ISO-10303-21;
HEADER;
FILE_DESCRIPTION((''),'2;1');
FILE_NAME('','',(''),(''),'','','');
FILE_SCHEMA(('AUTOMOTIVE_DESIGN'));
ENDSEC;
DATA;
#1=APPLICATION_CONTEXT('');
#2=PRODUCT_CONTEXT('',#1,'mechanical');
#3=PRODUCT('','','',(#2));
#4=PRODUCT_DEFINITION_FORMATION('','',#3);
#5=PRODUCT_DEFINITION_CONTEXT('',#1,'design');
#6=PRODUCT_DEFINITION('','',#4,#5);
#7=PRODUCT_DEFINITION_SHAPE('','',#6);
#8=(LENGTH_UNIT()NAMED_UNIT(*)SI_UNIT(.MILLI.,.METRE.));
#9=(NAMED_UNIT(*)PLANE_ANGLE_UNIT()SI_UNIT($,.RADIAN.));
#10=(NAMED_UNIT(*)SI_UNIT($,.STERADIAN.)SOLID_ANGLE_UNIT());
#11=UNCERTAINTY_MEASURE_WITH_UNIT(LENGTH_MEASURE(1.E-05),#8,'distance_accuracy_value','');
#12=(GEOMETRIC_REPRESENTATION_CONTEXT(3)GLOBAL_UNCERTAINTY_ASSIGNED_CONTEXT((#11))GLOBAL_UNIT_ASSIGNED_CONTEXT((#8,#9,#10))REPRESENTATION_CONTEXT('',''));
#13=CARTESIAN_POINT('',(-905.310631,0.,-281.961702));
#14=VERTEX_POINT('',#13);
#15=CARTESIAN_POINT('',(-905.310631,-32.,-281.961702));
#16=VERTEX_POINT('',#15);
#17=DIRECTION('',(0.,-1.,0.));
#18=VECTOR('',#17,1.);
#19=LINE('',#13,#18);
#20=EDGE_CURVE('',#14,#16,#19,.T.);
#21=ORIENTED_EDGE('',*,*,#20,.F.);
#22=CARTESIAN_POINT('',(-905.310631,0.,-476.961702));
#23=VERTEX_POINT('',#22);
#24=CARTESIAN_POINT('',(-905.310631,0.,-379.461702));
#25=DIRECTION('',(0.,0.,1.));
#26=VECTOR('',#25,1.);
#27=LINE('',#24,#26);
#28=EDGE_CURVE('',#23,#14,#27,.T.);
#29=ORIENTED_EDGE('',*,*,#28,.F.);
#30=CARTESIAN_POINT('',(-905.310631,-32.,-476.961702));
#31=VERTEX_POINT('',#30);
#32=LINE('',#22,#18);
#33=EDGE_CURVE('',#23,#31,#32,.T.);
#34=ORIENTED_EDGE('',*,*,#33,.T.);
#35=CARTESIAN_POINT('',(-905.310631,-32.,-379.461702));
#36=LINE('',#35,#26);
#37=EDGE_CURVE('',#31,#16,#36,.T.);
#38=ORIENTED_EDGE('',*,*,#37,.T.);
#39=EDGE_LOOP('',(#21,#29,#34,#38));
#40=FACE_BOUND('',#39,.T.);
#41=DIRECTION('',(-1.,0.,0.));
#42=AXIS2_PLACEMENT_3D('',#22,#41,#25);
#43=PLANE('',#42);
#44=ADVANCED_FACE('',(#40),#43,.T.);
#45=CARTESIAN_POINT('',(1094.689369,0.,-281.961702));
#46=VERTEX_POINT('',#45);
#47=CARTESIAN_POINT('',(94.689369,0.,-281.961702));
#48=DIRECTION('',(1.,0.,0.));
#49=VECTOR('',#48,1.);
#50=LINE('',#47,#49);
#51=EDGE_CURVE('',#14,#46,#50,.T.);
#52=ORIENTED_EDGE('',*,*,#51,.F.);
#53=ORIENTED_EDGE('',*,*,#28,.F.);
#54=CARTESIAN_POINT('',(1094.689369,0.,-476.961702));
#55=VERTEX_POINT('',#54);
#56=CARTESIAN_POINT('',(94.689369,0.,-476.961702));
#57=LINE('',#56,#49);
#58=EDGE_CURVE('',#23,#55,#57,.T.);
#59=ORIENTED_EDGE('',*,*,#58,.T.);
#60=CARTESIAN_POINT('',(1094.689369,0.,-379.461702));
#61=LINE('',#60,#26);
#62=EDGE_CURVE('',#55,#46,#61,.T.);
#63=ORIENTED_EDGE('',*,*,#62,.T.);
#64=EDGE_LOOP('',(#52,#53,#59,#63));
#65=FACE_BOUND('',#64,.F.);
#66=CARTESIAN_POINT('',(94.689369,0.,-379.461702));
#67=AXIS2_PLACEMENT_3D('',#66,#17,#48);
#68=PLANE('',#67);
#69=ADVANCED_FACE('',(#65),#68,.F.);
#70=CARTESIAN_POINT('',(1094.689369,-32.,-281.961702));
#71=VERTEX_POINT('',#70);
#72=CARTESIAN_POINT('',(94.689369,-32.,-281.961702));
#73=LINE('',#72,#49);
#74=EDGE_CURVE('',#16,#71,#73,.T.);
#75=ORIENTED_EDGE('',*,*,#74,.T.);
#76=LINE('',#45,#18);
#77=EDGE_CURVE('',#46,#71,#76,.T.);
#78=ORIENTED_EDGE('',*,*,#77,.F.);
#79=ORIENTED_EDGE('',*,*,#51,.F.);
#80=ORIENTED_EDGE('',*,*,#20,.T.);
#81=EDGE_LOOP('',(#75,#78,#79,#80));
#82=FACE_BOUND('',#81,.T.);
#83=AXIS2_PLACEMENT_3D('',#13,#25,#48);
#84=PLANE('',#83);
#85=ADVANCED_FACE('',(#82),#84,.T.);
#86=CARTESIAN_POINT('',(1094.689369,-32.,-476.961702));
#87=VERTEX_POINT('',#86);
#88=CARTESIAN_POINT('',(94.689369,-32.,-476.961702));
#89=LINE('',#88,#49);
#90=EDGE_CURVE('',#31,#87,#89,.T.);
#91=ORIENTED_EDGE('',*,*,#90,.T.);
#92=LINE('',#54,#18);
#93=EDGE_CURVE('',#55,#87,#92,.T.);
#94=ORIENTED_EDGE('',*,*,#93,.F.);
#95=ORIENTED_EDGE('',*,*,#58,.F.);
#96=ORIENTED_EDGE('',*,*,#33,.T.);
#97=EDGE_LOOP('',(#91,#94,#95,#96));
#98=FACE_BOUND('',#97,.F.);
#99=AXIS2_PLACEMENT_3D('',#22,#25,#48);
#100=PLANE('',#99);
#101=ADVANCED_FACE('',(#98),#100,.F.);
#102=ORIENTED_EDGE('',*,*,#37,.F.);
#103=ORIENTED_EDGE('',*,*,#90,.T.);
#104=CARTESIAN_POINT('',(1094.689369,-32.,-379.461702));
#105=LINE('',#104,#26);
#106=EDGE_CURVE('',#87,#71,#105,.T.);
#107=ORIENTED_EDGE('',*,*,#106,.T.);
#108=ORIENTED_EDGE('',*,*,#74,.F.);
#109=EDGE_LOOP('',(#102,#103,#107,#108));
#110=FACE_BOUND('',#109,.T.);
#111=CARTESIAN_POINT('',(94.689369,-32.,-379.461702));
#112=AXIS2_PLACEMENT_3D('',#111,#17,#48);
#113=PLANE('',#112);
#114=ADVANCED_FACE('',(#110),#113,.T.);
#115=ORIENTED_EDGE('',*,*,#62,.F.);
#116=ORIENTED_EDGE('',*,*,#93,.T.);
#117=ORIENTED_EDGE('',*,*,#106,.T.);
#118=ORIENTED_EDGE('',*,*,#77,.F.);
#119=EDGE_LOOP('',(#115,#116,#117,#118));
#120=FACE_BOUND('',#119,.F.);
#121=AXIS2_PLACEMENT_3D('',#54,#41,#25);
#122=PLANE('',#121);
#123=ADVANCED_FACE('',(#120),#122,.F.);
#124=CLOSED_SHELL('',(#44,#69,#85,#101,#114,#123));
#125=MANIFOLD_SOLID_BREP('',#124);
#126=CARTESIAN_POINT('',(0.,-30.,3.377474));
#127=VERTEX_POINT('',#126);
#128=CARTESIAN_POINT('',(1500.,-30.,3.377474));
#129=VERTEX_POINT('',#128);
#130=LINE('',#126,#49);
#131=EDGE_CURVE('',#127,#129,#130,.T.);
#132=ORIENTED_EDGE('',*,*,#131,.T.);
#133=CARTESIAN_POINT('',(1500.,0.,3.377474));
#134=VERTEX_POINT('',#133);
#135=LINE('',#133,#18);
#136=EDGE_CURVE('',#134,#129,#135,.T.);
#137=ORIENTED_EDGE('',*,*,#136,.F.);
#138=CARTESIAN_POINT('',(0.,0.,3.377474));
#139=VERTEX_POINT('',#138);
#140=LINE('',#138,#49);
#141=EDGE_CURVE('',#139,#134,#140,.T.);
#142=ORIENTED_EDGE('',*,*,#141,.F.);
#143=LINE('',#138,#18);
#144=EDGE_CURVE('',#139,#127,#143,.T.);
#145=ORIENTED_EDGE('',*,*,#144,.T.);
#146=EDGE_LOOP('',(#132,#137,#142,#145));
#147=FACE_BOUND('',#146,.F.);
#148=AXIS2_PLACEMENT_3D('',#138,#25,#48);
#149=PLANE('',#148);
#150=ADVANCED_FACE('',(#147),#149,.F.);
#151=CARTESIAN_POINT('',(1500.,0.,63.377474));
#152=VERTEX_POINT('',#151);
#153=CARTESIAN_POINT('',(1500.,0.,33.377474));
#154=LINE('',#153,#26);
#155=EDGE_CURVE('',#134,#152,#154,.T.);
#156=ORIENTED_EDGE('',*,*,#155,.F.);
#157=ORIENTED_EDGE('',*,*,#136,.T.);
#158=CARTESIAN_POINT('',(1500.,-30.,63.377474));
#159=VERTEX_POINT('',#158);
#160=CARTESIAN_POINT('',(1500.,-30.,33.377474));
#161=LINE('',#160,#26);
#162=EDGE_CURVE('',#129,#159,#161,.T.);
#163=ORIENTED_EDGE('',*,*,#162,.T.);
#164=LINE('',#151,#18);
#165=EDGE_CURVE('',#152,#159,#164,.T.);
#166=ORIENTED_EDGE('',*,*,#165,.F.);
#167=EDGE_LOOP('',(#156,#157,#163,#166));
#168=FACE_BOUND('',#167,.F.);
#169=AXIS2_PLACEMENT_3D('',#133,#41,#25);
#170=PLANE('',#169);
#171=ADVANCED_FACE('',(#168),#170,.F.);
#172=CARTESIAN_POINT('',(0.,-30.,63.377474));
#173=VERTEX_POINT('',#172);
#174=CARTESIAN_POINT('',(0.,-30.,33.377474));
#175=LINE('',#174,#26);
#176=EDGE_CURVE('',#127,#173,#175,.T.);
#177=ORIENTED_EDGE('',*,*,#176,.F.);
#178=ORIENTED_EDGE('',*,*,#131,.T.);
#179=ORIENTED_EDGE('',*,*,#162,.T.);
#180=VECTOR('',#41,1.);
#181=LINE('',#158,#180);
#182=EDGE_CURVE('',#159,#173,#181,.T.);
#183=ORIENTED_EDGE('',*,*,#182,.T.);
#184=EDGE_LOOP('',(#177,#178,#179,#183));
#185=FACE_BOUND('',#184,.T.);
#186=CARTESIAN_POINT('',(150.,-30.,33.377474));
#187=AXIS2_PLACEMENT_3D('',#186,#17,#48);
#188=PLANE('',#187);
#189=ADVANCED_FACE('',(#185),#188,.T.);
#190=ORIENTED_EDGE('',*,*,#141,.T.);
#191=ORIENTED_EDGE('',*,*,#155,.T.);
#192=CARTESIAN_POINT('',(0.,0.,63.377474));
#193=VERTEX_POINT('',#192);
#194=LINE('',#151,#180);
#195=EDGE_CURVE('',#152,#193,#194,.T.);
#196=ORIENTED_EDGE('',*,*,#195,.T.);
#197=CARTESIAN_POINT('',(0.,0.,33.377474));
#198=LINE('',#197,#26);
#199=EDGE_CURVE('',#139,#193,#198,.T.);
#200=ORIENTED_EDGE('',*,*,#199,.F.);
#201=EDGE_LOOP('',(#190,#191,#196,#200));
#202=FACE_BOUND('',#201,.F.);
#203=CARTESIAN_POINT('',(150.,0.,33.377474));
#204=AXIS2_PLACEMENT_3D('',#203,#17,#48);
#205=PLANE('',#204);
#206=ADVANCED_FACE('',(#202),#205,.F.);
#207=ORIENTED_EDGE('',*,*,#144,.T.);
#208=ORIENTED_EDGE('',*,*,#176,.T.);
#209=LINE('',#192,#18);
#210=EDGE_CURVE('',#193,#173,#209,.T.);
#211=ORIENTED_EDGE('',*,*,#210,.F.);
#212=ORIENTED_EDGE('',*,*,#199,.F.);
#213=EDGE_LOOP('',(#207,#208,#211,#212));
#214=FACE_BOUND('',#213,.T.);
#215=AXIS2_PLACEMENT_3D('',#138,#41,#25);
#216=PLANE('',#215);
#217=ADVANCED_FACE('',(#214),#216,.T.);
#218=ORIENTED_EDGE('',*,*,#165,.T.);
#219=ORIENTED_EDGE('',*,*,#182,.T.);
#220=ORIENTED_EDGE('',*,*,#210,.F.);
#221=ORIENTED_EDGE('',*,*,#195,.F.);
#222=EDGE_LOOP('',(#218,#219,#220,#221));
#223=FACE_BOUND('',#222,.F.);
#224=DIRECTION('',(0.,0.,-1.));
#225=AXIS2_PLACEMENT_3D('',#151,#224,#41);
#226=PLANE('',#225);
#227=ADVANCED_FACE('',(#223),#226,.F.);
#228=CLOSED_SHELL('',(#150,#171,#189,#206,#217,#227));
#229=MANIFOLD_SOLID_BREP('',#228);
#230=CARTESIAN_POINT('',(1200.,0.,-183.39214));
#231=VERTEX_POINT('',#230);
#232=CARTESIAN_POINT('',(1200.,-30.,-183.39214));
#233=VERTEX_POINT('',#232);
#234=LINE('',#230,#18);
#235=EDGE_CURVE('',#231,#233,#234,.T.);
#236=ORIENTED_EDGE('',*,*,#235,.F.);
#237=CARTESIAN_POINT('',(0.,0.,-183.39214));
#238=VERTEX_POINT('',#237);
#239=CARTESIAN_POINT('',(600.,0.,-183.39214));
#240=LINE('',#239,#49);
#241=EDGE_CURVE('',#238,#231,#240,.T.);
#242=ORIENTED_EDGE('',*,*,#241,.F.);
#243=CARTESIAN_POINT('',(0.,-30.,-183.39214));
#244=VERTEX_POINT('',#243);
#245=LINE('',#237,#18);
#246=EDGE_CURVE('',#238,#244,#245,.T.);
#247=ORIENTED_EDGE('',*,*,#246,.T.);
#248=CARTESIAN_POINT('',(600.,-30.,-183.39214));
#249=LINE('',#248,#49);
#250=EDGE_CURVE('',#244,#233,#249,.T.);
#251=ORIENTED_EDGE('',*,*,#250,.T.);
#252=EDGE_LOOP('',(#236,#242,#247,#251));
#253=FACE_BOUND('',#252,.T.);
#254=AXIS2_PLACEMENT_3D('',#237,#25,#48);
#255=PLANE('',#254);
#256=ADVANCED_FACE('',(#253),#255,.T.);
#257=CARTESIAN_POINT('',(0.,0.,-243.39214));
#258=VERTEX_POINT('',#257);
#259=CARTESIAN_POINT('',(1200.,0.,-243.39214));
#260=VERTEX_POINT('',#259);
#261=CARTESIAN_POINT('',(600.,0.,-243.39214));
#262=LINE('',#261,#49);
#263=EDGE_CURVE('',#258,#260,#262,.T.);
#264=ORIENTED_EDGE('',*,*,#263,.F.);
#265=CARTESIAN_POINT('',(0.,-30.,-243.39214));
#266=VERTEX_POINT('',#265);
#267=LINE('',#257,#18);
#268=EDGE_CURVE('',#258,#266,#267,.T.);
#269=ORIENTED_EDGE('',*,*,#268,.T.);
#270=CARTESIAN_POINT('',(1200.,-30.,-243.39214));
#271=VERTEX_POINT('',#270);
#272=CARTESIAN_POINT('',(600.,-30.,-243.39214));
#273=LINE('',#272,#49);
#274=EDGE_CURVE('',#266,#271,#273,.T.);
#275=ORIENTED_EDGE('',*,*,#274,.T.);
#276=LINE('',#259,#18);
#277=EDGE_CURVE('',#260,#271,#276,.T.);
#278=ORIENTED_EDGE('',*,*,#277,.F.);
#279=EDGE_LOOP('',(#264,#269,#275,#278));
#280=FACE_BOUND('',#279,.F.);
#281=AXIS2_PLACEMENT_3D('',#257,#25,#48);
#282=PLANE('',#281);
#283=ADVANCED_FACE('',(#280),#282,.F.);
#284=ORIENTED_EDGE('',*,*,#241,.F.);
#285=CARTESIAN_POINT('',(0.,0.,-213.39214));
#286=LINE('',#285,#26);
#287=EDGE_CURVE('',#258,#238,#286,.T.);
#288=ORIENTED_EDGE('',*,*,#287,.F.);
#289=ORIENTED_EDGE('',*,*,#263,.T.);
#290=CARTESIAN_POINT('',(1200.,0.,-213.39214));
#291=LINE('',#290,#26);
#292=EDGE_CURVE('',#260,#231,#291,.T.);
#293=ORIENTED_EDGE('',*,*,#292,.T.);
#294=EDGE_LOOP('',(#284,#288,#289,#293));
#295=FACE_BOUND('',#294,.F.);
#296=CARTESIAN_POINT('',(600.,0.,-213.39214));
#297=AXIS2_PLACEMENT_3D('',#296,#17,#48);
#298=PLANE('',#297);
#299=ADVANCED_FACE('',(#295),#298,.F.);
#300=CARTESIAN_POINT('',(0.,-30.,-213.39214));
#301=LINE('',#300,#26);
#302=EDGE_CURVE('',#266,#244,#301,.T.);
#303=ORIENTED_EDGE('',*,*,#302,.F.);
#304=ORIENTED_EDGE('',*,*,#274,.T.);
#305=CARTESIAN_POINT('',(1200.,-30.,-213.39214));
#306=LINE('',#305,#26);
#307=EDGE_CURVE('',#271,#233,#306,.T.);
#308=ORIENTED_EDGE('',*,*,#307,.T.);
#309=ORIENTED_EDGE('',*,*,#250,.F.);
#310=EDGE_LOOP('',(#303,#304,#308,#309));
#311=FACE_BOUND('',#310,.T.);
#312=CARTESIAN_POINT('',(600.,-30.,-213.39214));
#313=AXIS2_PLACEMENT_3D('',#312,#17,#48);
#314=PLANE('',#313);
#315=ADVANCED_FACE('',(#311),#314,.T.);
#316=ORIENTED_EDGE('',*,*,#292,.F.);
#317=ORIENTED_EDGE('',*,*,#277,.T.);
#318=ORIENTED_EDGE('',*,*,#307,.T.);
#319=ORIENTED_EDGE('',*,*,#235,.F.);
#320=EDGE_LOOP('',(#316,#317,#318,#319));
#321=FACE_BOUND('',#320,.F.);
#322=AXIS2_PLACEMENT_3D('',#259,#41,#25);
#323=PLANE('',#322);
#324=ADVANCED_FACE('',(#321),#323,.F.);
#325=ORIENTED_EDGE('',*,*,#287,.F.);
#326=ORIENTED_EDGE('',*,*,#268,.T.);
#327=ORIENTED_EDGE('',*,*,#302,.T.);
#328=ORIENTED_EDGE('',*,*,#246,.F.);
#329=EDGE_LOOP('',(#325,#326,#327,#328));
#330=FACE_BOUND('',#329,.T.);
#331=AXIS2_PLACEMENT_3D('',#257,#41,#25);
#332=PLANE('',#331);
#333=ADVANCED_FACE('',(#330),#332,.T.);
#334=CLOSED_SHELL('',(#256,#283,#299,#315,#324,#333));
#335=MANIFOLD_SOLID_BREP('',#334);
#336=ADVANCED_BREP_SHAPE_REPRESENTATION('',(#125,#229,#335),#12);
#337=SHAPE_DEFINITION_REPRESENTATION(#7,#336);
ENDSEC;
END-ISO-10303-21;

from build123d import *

# Parameters (mm, degrees)
F0_W     = 300
F0_H     = 60
F0_W_2   = 1200
F1_DEPTH = 30
F2_W     = 1200
F2_H     = 60
F3_DEPTH = 30
F4_W     = 2000
F4_H     = 195
F5_DEPTH = 32


with BuildPart() as f1:
    # F0 (on Front) → F1 (new body)
    with BuildSketch(Plane.XZ):
        with Locations((150, 33.377474)):
            Rectangle(F0_W, F0_H)
        with Locations((900, 33.377474)):
            Rectangle(F0_W_2, F0_H)
    extrude(amount=F1_DEPTH)


with BuildPart() as f3:
    # F2 (on Front) → F3 (new body)
    with BuildSketch(Plane.XZ):
        with Locations((600, -213.39214)):
            Rectangle(F2_W, F2_H)
    extrude(amount=F3_DEPTH)


with BuildPart() as f5:
    # F4 (on Front) → F5 (new body)
    with BuildSketch(Plane.XZ):
        with Locations((94.689369, -379.461702)):
            Rectangle(F4_W, F4_H)
    extrude(amount=F5_DEPTH)


solid = Compound([f1.part, f3.part, f5.part])
